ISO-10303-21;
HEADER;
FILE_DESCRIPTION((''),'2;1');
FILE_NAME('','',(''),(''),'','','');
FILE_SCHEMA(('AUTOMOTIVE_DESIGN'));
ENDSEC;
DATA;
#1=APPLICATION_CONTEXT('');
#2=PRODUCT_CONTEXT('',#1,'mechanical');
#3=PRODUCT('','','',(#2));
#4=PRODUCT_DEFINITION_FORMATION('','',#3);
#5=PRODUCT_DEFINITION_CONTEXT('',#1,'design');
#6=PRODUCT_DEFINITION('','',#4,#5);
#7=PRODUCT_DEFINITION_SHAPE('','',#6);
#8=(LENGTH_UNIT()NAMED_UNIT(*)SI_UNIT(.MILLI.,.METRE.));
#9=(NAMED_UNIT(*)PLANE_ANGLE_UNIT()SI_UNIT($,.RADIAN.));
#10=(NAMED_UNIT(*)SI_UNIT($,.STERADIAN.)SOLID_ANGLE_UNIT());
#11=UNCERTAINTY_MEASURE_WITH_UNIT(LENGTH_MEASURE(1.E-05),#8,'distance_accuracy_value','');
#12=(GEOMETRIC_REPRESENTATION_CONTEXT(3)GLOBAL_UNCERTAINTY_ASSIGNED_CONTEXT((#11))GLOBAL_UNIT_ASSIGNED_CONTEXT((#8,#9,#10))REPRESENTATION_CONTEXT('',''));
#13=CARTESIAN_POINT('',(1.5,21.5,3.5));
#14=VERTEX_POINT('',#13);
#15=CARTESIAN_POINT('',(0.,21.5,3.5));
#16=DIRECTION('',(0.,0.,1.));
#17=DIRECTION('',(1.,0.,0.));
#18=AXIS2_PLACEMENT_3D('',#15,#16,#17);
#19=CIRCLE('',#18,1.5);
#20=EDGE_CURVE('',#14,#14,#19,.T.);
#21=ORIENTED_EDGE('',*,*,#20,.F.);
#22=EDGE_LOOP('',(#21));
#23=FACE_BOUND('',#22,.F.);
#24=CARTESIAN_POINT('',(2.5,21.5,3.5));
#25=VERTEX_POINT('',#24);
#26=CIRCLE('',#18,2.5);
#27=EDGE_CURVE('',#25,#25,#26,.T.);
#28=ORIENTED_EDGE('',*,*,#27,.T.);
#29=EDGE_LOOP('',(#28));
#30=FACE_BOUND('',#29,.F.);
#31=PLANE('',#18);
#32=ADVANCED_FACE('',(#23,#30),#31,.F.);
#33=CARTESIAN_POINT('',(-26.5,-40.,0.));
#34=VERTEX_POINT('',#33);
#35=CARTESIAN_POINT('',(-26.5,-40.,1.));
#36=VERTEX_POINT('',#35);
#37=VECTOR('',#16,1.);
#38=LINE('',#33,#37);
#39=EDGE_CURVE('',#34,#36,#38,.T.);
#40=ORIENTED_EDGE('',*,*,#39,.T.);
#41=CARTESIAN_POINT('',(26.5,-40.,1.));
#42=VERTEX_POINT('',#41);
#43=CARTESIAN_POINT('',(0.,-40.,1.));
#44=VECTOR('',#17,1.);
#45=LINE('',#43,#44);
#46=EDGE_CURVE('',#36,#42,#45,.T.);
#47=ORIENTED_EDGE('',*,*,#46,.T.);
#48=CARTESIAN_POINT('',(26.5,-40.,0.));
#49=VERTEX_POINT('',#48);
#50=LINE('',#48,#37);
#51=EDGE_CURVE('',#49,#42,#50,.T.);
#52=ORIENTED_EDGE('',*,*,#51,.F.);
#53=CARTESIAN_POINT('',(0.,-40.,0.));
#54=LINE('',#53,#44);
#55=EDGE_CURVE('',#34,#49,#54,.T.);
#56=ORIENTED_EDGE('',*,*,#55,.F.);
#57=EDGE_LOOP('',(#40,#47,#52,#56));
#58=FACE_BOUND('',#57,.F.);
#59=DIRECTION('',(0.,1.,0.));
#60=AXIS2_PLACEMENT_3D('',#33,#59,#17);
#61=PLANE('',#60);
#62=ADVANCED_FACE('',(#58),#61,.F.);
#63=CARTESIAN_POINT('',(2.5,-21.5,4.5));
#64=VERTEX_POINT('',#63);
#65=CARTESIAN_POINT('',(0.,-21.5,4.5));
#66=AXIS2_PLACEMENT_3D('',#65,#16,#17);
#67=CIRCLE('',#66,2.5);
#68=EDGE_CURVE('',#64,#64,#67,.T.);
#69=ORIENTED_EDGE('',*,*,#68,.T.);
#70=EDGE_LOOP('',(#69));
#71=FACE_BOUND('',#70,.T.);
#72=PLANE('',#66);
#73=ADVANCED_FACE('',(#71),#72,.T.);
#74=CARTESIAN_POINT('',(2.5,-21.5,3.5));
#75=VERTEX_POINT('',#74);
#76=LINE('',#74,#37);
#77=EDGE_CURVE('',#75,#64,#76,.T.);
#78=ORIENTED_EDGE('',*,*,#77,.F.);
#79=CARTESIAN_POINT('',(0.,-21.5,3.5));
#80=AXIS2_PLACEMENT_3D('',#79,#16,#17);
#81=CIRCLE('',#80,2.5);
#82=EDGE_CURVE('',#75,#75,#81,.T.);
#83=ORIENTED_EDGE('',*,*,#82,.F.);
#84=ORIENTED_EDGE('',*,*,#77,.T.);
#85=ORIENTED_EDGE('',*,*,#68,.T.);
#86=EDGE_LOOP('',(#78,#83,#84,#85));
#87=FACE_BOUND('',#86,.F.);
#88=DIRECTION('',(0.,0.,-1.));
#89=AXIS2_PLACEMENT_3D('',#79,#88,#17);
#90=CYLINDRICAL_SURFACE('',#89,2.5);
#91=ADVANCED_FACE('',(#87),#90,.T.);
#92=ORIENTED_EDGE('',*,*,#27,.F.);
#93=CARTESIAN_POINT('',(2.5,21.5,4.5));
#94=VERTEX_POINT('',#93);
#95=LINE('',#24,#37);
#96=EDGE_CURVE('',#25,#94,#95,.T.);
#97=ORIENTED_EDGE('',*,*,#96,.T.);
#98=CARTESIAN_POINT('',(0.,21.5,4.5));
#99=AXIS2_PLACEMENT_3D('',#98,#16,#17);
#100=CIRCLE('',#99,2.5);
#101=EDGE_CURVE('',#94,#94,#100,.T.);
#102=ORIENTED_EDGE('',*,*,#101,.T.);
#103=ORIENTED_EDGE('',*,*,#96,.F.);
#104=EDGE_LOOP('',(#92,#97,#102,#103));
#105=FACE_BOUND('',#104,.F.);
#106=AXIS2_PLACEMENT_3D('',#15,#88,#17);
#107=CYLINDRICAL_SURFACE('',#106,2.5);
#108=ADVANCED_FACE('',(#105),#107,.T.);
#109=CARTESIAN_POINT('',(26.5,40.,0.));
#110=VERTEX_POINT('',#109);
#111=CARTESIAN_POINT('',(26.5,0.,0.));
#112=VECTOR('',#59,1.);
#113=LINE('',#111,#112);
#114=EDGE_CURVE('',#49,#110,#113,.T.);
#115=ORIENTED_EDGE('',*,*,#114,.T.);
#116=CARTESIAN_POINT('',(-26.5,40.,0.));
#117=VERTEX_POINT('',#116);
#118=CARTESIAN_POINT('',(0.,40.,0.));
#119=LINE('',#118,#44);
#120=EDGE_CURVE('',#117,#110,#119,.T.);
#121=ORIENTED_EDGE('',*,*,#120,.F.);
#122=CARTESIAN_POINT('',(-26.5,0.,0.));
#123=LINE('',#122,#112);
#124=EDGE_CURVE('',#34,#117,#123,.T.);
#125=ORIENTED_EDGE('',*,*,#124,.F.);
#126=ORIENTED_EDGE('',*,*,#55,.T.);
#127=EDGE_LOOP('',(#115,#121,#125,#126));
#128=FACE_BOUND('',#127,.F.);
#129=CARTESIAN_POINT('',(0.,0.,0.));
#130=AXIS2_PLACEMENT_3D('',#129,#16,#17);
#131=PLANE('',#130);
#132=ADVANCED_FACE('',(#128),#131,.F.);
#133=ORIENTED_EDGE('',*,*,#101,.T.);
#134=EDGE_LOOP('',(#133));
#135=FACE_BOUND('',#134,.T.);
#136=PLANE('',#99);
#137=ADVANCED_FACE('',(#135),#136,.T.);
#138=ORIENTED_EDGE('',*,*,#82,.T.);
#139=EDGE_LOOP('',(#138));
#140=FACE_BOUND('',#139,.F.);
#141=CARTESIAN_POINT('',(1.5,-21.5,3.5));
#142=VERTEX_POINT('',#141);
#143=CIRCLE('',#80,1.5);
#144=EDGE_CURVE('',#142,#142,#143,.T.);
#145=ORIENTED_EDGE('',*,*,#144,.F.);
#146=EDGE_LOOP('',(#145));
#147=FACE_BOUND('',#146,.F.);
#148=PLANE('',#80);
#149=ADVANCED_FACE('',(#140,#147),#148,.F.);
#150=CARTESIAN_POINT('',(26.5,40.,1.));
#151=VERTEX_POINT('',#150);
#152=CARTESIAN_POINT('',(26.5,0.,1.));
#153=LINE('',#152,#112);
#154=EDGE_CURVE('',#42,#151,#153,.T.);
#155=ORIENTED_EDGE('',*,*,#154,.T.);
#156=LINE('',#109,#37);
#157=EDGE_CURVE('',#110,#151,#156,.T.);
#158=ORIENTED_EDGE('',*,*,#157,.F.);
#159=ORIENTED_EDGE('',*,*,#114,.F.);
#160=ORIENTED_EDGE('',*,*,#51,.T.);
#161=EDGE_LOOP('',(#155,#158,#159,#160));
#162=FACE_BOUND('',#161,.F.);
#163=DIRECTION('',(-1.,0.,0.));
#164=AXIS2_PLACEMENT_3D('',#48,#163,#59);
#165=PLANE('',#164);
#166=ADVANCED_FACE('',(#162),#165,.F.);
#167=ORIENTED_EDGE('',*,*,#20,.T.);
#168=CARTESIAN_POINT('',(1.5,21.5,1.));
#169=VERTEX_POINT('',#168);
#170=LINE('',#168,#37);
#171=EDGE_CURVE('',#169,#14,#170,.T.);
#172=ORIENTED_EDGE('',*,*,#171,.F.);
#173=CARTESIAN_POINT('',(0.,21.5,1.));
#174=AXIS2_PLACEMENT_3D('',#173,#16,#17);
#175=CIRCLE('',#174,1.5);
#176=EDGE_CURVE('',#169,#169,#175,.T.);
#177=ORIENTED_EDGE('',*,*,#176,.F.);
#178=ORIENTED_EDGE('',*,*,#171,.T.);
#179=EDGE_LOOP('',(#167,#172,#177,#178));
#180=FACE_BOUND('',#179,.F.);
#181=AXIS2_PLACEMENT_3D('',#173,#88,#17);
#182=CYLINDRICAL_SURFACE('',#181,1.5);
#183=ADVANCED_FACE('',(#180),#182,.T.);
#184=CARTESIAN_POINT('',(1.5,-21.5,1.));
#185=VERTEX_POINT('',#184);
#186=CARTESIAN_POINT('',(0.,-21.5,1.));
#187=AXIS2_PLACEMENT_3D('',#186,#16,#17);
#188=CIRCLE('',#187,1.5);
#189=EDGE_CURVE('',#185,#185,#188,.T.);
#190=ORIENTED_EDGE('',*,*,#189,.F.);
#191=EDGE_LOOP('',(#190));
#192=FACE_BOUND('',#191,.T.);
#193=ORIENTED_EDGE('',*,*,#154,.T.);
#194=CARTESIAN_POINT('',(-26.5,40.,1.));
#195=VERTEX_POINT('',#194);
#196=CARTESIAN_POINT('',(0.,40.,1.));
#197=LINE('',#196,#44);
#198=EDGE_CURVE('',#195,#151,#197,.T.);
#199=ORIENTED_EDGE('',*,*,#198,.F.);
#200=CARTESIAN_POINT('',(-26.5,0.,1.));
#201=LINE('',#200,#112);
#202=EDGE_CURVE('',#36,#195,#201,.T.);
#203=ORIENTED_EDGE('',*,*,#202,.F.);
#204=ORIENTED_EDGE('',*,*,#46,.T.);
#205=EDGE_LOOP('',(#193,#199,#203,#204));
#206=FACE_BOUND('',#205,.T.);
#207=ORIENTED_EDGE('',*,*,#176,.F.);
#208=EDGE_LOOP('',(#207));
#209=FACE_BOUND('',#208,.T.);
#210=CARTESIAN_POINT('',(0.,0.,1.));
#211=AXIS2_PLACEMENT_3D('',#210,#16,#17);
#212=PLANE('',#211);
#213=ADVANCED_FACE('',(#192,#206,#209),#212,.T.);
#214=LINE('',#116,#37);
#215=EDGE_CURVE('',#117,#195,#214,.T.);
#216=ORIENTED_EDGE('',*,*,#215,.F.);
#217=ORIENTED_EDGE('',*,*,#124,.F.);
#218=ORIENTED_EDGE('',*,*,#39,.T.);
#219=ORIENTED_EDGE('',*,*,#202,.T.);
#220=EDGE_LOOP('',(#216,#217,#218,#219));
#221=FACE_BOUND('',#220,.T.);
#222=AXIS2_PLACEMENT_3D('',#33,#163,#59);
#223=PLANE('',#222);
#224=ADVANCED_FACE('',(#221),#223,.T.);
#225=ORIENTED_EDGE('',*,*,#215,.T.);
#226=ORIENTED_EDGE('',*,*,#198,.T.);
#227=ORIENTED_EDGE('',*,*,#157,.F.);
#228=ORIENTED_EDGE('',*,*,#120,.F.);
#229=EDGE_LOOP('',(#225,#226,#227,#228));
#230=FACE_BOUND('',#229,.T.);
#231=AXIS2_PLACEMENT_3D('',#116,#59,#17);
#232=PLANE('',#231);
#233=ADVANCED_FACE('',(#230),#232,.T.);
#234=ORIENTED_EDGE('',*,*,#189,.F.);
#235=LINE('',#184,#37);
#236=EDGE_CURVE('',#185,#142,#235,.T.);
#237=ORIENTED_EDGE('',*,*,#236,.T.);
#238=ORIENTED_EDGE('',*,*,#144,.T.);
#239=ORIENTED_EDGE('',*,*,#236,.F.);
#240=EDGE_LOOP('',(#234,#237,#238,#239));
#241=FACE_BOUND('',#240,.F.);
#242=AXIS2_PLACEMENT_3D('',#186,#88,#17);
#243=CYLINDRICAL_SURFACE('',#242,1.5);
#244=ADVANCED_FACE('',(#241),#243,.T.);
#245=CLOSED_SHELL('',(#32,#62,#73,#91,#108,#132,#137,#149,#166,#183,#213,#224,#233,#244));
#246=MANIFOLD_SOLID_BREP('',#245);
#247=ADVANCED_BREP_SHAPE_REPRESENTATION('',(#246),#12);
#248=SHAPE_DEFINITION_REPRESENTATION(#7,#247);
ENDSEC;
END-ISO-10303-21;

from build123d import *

# Parameters (mm, degrees)
SKETCH_W     = 53
SKETCH_H     = 80
PAD_DEPTH    = 1
SKETCH001_R  = 1.5
PAD001_DEPTH = 2.5
SKETCH002_R  = 2.5
PAD002_DEPTH = 1


with BuildPart() as part:
    # Sketch → Pad (new body)
    with BuildSketch(Plane.XY):
        Rectangle(SKETCH_W, SKETCH_H)
    extrude(amount=PAD_DEPTH)

    # Sketch001 (on Face6 of Pad) → Pad001 (join)
    with BuildSketch(Plane.XY.offset(1)):
        with Locations((0, 21.5)):
            Circle(SKETCH001_R)
        with Locations((0, -21.5)):
            Circle(SKETCH001_R)
    extrude(amount=PAD001_DEPTH)

    # Sketch002 (on Face9 of Pad001) → Pad002 (join)
    with BuildSketch(Plane.XY.offset(3.5)):
        with Locations((0, 21.5)):
            Circle(SKETCH002_R)
        with Locations((0, -21.5)):
            Circle(SKETCH002_R)
    extrude(amount=PAD002_DEPTH)


solid = part.part
